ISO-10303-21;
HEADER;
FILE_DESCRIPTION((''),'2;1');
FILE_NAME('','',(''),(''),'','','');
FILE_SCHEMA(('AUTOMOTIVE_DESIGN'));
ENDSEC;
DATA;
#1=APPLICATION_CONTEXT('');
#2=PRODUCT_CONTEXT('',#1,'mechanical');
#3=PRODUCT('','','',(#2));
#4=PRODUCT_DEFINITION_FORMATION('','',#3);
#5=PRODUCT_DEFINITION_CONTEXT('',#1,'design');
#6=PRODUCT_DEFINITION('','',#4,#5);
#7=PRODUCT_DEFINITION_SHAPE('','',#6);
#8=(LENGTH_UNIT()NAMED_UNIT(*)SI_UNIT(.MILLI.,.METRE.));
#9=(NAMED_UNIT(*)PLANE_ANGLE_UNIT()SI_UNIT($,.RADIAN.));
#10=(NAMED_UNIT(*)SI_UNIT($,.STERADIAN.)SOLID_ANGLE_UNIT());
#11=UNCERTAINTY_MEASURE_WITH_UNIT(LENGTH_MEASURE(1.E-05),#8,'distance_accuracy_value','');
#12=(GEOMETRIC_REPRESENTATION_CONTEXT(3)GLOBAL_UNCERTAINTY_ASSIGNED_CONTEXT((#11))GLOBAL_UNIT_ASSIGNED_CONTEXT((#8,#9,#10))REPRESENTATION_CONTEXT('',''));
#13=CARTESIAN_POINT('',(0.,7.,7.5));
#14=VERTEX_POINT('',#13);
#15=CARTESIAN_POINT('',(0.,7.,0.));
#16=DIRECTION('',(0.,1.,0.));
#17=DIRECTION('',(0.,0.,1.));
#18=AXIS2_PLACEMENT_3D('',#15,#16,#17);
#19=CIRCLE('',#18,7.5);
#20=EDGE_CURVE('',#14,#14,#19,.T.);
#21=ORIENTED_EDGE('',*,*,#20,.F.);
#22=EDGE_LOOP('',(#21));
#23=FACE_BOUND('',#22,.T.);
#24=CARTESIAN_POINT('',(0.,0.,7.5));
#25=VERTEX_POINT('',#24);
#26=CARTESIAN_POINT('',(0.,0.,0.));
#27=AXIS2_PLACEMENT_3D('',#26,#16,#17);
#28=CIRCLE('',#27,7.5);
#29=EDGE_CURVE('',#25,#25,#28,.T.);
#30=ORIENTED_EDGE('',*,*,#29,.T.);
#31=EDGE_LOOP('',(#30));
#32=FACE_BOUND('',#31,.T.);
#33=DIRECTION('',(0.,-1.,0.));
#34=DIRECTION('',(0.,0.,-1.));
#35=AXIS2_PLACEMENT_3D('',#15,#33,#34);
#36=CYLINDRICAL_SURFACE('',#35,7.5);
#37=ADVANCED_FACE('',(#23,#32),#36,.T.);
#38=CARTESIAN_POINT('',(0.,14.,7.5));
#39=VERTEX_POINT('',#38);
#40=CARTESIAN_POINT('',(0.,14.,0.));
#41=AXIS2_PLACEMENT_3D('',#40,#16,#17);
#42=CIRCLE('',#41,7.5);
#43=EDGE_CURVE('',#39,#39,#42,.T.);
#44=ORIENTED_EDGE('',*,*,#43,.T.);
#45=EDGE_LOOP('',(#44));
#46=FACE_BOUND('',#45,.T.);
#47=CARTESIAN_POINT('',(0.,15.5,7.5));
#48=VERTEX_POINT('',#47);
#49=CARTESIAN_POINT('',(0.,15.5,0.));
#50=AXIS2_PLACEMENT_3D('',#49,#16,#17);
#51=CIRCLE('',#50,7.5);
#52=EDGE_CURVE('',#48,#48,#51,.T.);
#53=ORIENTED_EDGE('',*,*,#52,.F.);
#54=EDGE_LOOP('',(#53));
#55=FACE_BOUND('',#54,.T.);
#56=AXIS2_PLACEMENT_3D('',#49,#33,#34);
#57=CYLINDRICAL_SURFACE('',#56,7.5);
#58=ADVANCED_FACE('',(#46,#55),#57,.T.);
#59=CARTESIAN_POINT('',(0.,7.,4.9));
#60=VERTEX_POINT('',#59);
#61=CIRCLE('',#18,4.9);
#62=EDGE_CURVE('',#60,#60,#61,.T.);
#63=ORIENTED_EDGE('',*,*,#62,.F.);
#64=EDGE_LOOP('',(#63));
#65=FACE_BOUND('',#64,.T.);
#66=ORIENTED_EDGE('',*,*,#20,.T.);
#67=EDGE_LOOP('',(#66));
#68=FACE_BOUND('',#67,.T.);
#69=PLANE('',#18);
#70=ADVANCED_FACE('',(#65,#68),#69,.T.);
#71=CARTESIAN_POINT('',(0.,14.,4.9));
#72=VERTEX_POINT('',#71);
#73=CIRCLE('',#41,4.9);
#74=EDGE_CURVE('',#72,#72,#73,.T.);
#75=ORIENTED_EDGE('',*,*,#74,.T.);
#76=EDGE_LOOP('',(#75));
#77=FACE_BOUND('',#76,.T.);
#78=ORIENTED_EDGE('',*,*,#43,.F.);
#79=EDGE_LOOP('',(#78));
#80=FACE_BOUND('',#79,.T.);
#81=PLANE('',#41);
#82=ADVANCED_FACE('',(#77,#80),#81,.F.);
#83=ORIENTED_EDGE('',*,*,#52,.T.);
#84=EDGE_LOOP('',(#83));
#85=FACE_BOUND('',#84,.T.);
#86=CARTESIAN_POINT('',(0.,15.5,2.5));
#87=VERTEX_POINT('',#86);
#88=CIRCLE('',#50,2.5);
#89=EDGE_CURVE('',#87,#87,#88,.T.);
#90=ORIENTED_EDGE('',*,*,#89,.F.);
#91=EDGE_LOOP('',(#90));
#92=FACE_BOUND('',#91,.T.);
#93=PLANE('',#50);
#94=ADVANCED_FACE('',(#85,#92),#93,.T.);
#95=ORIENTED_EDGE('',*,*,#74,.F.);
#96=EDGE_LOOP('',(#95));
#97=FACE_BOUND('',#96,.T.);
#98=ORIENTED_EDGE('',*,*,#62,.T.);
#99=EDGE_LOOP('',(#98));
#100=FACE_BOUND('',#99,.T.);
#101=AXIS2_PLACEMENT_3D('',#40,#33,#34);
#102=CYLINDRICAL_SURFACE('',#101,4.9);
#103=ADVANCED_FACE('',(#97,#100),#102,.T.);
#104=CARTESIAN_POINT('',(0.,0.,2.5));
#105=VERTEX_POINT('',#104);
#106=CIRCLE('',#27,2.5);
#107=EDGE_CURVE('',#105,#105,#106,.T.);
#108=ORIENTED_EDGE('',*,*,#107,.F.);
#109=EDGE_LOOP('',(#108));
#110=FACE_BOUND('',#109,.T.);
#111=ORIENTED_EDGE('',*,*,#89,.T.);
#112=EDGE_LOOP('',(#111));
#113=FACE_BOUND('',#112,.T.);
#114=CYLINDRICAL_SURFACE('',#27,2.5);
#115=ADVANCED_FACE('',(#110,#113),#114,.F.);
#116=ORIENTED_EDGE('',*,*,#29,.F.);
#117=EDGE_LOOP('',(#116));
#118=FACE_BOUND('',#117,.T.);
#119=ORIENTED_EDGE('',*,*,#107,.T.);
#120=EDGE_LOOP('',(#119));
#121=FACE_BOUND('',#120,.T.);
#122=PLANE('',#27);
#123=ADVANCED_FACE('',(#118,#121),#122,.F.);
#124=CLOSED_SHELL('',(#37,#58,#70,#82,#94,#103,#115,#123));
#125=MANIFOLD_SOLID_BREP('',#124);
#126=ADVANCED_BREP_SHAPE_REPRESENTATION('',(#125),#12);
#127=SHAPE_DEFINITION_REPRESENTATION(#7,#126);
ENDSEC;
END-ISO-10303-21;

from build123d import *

# Parameters (mm, degrees)
SKETCH1_R           = 7.5
BOSS_EXTRUDE1_DEPTH = 7
SKETCH2_R           = 4.9
BOSS_EXTRUDE2_DEPTH = 7
SKETCH3_R           = 7.5
BOSS_EXTRUDE3_DEPTH = 1.5
SKETCH4_R           = 2.5
CUT_EXTRUDE1_DEPTH  = 19.781639971


with BuildPart() as part:
    # Sketch1 → Boss-Extrude1 (new body)
    with BuildSketch(Plane(origin=(0, 0, 0), x_dir=(1, 0, 0), z_dir=(0, 1, 0))):
        with Locations(Location((0, 0, 0), (0, 0, 270))):
            Circle(SKETCH1_R)
    extrude(amount=BOSS_EXTRUDE1_DEPTH)

    # Sketch2 → Boss-Extrude2 (add)
    with BuildSketch(Plane(origin=(0, 7, 0), x_dir=(1, 0, 0), z_dir=(0, 1, 0))):
        with Locations(Location((0, 0, 0), (0, 0, 270))):
            Circle(SKETCH2_R)
    extrude(amount=BOSS_EXTRUDE2_DEPTH)

    # Sketch3 → Boss-Extrude3 (add)
    with BuildSketch(Plane(origin=(0, 14, 0), x_dir=(1, 0, 0), z_dir=(0, 1, 0))):
        with Locations(Location((0, 0, 0), (0, 0, 270))):
            Circle(SKETCH3_R)
    extrude(amount=BOSS_EXTRUDE3_DEPTH)

    # Sketch4 → Cut-Extrude1 (cut, through all)
    with BuildSketch(Plane(origin=(0, 15.5, 0), x_dir=(1, 0, 0), z_dir=(0, 1, 0))):
        with Locations(Location((0, 0, 0), (0, 0, 270))):
            Circle(SKETCH4_R)
    extrude(amount=-CUT_EXTRUDE1_DEPTH, mode=Mode.SUBTRACT)


solid = part.part
